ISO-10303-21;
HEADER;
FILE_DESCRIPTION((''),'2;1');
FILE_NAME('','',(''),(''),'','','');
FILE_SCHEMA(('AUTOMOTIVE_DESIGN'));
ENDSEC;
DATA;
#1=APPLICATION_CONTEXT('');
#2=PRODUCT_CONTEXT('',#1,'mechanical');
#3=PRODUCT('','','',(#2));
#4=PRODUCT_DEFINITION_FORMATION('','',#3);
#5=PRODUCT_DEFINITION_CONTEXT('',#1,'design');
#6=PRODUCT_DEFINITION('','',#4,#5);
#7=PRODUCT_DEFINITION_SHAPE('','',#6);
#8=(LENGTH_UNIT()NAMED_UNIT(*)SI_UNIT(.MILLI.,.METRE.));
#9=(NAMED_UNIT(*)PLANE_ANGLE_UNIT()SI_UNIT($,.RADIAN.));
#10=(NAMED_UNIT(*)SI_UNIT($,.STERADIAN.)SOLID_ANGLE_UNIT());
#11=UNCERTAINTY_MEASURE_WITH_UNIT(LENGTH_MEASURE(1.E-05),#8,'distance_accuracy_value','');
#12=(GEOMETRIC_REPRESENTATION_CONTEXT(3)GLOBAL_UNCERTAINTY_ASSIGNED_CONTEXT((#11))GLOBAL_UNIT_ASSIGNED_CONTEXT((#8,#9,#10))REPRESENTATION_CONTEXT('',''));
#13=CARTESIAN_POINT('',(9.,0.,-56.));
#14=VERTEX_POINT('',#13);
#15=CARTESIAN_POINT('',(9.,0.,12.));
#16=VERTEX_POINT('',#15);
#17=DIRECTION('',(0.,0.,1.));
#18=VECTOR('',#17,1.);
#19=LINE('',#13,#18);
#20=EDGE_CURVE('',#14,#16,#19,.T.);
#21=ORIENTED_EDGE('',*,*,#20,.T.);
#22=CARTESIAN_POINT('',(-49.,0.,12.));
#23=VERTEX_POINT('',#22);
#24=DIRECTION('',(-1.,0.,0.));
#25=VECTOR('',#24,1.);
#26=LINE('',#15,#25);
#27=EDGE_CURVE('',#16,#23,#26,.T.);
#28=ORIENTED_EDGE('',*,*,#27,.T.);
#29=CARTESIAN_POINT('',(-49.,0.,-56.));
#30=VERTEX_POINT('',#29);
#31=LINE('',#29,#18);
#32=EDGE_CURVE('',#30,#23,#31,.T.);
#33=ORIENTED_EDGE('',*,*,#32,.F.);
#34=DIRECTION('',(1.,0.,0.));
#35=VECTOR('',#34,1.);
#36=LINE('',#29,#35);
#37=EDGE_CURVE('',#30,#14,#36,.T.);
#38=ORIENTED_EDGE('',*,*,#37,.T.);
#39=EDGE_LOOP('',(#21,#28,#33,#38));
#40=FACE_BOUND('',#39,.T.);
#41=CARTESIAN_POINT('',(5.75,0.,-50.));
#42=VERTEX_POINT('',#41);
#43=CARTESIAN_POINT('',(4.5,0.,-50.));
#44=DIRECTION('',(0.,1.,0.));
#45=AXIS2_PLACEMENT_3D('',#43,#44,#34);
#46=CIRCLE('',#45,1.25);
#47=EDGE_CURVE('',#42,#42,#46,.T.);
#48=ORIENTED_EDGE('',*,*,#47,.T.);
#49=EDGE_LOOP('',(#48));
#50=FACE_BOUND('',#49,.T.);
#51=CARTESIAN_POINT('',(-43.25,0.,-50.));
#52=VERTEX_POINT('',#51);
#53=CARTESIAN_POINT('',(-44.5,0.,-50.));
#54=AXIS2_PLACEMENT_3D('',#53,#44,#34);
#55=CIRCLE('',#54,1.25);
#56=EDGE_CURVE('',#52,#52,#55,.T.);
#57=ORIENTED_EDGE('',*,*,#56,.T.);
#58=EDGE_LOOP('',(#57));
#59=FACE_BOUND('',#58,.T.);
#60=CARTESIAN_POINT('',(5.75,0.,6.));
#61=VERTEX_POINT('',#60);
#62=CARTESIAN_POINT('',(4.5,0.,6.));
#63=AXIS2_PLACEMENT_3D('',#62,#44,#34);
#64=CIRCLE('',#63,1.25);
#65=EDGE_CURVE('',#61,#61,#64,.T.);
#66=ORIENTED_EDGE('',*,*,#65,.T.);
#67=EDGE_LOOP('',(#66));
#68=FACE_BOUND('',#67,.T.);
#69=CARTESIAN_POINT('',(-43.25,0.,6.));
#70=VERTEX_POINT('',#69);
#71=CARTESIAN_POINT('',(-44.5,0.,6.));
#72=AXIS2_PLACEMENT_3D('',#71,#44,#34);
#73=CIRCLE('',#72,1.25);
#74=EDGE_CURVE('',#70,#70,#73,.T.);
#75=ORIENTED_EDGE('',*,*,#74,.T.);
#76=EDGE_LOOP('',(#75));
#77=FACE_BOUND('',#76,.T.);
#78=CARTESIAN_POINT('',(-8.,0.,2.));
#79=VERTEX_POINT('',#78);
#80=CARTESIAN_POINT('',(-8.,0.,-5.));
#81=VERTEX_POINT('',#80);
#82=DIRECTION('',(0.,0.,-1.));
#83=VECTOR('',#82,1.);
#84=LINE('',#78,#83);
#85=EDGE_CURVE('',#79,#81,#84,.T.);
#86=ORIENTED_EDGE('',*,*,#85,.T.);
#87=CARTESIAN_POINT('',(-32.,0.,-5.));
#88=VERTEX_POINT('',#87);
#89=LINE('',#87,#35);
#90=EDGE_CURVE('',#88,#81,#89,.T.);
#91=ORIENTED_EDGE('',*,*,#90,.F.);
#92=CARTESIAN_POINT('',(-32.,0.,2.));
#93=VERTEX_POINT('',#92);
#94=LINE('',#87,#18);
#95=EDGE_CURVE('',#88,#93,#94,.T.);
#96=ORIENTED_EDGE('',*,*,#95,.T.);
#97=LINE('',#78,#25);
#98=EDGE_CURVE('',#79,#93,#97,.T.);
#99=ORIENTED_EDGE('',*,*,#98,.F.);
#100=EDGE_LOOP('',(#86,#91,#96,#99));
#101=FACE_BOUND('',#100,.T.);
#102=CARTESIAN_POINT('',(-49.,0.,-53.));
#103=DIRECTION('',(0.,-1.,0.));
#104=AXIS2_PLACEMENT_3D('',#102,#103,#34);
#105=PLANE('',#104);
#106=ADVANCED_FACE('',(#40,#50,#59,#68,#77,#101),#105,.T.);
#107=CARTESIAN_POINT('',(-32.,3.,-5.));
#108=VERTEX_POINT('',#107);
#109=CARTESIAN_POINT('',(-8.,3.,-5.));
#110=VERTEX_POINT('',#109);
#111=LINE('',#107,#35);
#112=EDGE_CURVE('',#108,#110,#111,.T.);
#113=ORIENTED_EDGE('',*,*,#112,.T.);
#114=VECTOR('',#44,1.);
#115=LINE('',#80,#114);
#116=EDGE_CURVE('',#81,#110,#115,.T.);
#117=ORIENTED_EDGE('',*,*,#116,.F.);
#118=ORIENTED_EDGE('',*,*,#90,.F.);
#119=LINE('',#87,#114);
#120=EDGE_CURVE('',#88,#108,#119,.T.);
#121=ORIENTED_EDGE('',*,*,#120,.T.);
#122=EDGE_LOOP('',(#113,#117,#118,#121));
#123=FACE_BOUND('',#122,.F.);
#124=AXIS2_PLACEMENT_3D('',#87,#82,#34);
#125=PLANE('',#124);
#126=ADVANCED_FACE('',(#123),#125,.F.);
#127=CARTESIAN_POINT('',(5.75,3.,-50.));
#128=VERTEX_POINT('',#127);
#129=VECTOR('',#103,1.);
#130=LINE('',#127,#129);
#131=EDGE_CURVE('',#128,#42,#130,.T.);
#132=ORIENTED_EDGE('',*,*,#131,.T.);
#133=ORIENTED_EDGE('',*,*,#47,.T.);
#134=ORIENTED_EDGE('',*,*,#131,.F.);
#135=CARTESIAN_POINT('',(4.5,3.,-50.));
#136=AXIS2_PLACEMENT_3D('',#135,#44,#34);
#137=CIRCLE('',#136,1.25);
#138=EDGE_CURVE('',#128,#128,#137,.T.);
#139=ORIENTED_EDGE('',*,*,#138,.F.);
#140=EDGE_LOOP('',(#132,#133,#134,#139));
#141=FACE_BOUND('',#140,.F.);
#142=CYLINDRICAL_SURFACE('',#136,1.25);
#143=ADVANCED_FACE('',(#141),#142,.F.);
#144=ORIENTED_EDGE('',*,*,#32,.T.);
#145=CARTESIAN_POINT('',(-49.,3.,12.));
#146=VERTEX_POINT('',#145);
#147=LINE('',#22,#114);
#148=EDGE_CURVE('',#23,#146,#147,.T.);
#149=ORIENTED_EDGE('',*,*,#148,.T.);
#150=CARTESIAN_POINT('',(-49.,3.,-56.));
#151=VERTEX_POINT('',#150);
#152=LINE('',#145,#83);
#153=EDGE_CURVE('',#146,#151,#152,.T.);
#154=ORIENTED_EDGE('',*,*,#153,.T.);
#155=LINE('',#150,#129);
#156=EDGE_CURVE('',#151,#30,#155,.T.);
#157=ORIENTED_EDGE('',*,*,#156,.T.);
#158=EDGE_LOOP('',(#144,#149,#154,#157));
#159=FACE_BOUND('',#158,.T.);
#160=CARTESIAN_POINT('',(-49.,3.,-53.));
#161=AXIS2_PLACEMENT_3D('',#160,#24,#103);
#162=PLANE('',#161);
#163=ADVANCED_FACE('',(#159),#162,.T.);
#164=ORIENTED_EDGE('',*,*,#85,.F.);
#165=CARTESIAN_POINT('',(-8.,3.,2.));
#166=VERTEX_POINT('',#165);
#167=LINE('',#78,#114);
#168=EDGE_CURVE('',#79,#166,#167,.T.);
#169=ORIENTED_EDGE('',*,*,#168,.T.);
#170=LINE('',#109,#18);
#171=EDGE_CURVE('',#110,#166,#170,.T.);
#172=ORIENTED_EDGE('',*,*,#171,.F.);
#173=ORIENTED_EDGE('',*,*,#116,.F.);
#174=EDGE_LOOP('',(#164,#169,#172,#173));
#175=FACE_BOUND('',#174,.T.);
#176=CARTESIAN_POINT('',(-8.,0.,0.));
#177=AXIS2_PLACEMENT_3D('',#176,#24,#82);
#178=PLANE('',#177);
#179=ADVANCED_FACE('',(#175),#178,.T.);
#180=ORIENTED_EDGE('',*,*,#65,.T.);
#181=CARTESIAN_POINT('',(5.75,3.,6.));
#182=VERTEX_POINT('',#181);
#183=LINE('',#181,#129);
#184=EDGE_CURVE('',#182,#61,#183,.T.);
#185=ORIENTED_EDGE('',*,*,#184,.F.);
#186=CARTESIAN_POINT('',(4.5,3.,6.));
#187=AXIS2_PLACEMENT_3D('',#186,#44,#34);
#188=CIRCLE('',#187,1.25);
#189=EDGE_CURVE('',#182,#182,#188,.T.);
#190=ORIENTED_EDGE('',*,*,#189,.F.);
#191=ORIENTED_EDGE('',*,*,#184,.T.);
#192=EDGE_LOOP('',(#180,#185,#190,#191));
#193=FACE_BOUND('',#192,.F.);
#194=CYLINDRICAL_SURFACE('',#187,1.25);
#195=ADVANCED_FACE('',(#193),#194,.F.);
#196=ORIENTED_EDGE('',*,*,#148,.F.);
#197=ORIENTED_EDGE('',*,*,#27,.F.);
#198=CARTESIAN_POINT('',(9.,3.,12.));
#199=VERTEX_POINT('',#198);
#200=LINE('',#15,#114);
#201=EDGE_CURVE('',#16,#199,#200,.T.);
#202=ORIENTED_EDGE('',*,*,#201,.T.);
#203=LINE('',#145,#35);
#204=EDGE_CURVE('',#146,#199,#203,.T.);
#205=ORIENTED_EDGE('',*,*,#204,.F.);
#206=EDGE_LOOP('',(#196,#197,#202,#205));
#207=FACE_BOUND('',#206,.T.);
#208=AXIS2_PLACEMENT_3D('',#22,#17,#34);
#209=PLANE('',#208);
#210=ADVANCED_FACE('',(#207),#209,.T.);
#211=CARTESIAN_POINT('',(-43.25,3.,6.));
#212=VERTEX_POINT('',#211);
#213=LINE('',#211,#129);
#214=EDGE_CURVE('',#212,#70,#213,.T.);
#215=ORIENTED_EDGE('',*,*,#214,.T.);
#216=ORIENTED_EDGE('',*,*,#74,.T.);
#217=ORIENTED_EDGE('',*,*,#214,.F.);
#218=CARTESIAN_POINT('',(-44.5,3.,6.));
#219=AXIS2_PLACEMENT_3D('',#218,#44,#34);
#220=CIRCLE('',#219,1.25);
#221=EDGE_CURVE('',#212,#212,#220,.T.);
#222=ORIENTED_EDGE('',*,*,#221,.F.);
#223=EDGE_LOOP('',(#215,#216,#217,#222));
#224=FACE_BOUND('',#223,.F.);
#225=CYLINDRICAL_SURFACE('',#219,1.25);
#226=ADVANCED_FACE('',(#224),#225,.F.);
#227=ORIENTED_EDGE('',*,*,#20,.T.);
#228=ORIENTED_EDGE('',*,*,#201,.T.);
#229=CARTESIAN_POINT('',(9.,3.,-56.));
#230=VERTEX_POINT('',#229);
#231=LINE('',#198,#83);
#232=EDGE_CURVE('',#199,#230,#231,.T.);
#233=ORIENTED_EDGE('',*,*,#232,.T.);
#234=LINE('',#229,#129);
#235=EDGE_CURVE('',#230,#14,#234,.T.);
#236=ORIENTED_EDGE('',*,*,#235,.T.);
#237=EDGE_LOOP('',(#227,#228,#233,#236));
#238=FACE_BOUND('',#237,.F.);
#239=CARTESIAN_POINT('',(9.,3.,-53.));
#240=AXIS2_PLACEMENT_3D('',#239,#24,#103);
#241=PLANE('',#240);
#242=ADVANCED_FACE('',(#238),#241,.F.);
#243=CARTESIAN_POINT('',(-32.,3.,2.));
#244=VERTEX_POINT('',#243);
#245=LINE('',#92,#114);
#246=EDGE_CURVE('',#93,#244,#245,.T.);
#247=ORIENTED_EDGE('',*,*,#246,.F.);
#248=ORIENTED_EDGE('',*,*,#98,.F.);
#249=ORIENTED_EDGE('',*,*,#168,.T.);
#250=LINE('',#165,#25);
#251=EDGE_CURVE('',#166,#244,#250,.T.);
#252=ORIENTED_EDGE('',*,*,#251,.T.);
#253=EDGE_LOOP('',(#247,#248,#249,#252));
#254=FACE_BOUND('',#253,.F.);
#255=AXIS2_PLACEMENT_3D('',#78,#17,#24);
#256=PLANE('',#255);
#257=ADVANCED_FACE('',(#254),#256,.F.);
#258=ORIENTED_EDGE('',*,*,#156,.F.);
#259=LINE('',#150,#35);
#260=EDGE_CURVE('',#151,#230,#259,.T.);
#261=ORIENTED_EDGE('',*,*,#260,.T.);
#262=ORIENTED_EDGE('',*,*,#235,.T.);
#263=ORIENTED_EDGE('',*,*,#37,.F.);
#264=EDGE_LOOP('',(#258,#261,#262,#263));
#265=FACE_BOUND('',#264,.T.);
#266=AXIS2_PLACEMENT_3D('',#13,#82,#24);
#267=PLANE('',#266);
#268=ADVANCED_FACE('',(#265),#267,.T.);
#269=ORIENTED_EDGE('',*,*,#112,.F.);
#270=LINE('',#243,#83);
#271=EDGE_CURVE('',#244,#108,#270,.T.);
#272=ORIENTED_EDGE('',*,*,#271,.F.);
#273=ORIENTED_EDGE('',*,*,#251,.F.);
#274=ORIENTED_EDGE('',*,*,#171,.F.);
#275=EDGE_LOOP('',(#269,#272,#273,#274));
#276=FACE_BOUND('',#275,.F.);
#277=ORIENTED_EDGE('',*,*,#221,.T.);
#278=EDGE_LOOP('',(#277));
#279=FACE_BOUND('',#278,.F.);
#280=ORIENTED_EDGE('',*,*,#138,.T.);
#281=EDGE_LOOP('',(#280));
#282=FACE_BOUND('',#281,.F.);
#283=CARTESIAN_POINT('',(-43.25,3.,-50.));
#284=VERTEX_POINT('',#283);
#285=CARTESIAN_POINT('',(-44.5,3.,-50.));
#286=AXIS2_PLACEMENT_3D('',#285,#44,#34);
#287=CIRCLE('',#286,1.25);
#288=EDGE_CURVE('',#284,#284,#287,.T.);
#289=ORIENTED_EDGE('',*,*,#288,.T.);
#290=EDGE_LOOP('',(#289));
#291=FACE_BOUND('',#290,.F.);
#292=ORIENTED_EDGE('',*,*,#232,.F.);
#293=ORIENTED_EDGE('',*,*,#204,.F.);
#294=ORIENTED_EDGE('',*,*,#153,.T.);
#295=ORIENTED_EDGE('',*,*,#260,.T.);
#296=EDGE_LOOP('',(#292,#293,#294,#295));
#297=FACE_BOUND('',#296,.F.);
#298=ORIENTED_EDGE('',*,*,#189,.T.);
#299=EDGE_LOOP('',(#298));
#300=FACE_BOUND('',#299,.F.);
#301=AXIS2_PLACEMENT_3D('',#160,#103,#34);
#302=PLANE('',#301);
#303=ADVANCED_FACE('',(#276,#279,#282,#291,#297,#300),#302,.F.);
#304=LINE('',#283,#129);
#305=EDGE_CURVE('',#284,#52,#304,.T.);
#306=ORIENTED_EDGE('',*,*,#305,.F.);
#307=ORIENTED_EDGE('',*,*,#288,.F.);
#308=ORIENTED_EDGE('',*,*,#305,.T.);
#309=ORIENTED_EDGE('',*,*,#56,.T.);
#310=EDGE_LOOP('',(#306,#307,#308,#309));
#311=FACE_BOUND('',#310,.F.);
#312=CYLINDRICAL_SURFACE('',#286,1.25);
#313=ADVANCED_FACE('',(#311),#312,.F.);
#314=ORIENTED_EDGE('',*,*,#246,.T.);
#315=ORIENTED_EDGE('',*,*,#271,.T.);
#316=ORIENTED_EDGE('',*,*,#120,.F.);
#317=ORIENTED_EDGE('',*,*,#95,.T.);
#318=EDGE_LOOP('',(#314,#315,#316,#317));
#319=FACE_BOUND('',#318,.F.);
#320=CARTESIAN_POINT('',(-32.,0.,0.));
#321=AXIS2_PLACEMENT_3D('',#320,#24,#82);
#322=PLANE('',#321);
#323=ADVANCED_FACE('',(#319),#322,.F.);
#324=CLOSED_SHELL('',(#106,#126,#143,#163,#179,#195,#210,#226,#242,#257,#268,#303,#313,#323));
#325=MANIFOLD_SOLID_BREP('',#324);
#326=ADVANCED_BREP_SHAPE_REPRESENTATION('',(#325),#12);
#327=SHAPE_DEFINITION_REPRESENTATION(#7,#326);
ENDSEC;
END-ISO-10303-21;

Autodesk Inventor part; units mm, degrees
ref_plane "YZ Plane" through (0, 0, 0) normal (1, 0, 0) x (0, 1, 0)
ref_plane "XZ Plane" through (0, 0, 0) normal (0, 1, 0) x (-1, 0, 0)
ref_plane "XY Plane" through (0, 0, 0) normal (0, 0, 1) x (1, 0, 0)
sketch "Sketch2" plane through (0, 0, 0) normal (0, 1, 0) x (-1, 0, 0)
  line L0 (8, 0) -> (8, -5)
  line L1 (32, 0) -> (32, -5)
  line L2 (32, -5) -> (8, -5)
  line L3 (8, -5) -> (8, 0)
  line L4 (32, 0) -> (32, -5)
  line L5 (-9, 0) -> (-9, 9)
  line L6 (-9, 9) -> (0, 9)
  line L7 (49, -44) -> (49, -53)
  line L8 (49, -53) -> (40, -53)
  line L9 (-9, 9) -> (49, 9)
  line L10 (49, 9) -> (49, -53)
  line L11 (49, -53) -> (-9, -53)
  line L12 (-9, -53) -> (-9, 9)
  line L13 (8, 0) -> (8, 2)
  line L14 (8, 2) -> (32, 2)
  line L15 (32, 2) -> (32, 0)
  line L16 (32, 2) -> (8, 2)
  line L17 (8, 2) -> (8, -5)
  line L18 (8, -5) -> (32, -5)
  line L19 (32, -5) -> (32, 2)
  point P0 (0, 0)
extrude "Extrusion1" add sketch "Sketch2" along normal blind 3
sketch "Sketch3" plane through (-49, 0, 9) normal (0, 0, 1) x (1, 0, 0)
  line L0 (0, 0) -> (0, 3) projected
  line L1 (58, 0) -> (58, 3) projected
  line L2 (0, 3) -> (58, 3)
  line L3 (58, 3) -> (58, 0)
  line L4 (58, 0) -> (0, 0)
  line L5 (0, 0) -> (0, 3)
  point P0 (49, 0)
extrude "Extrusion2" add sketch "Sketch3" along normal blind 3
sketch "Sketch4" plane through (9, 0, -53) normal (0, 0, -1) x (-1, 0, 0)
  line L0 (58, 3) -> (58, 0) projected
  line L1 (58, 0) -> (0, 0) projected
  line L2 (58, 3) -> (0, 3)
  line L3 (0, 3) -> (0, 0)
  line L4 (0, 0) -> (58, 0)
  line L5 (58, 0) -> (58, 3)
  point P0 (9, 0)
extrude "Extrusion3" add sketch "Sketch4" along normal blind 3
sketch "Sketch5" plane through (0, 3, 0) normal (0, 1, 0) x (1, 0, 0)
  line L0 (9, -12) -> (0, -12)
  line L1 (0, -12) -> (0, 0)
  line L2 (0, 0) -> (9, 0)
  line L3 (9, 0) -> (9, -12)
  line L4 (-49, -12) -> (-49, 56) projected
  line L5 (-49, 56) -> (-40, 56)
  line L6 (-40, 56) -> (-40, 44)
  line L7 (-40, 44) -> (-49, 44)
  line L8 (-49, 44) -> (-49, 56)
  line L9 (9, 56) -> (0, 56)
  line L10 (0, 56) -> (0, 44)
  line L11 (0, 44) -> (9, 44)
  line L12 (9, 44) -> (9, 56)
  circle A0 centre (-44.5, 50) radius 1.25
  circle A1 centre (4.5, 50) radius 1.25
  circle A2 centre (4.5, -6) radius 1.25
  line L13 (-49, -12) -> (-40, -12)
  line L14 (-40, -12) -> (-40, 0)
  line L15 (-40, 0) -> (-49, 0)
  line L16 (-49, 0) -> (-49, -12)
  circle A3 centre (-44.5, -6) radius 1.25
  dimension "d16" = 9
  dimension "d17" = 12
  dimension "d18" = 9
  dimension "d19" = 12
  dimension "d21" = 2.5
  dimension "d22" = 2.5
  dimension "d23" = 2.5
  dimension "d24" = 2.5
extrude "Extrusion4" cut sketch "Sketch5" against normal blind 5 contours A0 | A1 | A2 | A3
properties part number "Podkladka"
